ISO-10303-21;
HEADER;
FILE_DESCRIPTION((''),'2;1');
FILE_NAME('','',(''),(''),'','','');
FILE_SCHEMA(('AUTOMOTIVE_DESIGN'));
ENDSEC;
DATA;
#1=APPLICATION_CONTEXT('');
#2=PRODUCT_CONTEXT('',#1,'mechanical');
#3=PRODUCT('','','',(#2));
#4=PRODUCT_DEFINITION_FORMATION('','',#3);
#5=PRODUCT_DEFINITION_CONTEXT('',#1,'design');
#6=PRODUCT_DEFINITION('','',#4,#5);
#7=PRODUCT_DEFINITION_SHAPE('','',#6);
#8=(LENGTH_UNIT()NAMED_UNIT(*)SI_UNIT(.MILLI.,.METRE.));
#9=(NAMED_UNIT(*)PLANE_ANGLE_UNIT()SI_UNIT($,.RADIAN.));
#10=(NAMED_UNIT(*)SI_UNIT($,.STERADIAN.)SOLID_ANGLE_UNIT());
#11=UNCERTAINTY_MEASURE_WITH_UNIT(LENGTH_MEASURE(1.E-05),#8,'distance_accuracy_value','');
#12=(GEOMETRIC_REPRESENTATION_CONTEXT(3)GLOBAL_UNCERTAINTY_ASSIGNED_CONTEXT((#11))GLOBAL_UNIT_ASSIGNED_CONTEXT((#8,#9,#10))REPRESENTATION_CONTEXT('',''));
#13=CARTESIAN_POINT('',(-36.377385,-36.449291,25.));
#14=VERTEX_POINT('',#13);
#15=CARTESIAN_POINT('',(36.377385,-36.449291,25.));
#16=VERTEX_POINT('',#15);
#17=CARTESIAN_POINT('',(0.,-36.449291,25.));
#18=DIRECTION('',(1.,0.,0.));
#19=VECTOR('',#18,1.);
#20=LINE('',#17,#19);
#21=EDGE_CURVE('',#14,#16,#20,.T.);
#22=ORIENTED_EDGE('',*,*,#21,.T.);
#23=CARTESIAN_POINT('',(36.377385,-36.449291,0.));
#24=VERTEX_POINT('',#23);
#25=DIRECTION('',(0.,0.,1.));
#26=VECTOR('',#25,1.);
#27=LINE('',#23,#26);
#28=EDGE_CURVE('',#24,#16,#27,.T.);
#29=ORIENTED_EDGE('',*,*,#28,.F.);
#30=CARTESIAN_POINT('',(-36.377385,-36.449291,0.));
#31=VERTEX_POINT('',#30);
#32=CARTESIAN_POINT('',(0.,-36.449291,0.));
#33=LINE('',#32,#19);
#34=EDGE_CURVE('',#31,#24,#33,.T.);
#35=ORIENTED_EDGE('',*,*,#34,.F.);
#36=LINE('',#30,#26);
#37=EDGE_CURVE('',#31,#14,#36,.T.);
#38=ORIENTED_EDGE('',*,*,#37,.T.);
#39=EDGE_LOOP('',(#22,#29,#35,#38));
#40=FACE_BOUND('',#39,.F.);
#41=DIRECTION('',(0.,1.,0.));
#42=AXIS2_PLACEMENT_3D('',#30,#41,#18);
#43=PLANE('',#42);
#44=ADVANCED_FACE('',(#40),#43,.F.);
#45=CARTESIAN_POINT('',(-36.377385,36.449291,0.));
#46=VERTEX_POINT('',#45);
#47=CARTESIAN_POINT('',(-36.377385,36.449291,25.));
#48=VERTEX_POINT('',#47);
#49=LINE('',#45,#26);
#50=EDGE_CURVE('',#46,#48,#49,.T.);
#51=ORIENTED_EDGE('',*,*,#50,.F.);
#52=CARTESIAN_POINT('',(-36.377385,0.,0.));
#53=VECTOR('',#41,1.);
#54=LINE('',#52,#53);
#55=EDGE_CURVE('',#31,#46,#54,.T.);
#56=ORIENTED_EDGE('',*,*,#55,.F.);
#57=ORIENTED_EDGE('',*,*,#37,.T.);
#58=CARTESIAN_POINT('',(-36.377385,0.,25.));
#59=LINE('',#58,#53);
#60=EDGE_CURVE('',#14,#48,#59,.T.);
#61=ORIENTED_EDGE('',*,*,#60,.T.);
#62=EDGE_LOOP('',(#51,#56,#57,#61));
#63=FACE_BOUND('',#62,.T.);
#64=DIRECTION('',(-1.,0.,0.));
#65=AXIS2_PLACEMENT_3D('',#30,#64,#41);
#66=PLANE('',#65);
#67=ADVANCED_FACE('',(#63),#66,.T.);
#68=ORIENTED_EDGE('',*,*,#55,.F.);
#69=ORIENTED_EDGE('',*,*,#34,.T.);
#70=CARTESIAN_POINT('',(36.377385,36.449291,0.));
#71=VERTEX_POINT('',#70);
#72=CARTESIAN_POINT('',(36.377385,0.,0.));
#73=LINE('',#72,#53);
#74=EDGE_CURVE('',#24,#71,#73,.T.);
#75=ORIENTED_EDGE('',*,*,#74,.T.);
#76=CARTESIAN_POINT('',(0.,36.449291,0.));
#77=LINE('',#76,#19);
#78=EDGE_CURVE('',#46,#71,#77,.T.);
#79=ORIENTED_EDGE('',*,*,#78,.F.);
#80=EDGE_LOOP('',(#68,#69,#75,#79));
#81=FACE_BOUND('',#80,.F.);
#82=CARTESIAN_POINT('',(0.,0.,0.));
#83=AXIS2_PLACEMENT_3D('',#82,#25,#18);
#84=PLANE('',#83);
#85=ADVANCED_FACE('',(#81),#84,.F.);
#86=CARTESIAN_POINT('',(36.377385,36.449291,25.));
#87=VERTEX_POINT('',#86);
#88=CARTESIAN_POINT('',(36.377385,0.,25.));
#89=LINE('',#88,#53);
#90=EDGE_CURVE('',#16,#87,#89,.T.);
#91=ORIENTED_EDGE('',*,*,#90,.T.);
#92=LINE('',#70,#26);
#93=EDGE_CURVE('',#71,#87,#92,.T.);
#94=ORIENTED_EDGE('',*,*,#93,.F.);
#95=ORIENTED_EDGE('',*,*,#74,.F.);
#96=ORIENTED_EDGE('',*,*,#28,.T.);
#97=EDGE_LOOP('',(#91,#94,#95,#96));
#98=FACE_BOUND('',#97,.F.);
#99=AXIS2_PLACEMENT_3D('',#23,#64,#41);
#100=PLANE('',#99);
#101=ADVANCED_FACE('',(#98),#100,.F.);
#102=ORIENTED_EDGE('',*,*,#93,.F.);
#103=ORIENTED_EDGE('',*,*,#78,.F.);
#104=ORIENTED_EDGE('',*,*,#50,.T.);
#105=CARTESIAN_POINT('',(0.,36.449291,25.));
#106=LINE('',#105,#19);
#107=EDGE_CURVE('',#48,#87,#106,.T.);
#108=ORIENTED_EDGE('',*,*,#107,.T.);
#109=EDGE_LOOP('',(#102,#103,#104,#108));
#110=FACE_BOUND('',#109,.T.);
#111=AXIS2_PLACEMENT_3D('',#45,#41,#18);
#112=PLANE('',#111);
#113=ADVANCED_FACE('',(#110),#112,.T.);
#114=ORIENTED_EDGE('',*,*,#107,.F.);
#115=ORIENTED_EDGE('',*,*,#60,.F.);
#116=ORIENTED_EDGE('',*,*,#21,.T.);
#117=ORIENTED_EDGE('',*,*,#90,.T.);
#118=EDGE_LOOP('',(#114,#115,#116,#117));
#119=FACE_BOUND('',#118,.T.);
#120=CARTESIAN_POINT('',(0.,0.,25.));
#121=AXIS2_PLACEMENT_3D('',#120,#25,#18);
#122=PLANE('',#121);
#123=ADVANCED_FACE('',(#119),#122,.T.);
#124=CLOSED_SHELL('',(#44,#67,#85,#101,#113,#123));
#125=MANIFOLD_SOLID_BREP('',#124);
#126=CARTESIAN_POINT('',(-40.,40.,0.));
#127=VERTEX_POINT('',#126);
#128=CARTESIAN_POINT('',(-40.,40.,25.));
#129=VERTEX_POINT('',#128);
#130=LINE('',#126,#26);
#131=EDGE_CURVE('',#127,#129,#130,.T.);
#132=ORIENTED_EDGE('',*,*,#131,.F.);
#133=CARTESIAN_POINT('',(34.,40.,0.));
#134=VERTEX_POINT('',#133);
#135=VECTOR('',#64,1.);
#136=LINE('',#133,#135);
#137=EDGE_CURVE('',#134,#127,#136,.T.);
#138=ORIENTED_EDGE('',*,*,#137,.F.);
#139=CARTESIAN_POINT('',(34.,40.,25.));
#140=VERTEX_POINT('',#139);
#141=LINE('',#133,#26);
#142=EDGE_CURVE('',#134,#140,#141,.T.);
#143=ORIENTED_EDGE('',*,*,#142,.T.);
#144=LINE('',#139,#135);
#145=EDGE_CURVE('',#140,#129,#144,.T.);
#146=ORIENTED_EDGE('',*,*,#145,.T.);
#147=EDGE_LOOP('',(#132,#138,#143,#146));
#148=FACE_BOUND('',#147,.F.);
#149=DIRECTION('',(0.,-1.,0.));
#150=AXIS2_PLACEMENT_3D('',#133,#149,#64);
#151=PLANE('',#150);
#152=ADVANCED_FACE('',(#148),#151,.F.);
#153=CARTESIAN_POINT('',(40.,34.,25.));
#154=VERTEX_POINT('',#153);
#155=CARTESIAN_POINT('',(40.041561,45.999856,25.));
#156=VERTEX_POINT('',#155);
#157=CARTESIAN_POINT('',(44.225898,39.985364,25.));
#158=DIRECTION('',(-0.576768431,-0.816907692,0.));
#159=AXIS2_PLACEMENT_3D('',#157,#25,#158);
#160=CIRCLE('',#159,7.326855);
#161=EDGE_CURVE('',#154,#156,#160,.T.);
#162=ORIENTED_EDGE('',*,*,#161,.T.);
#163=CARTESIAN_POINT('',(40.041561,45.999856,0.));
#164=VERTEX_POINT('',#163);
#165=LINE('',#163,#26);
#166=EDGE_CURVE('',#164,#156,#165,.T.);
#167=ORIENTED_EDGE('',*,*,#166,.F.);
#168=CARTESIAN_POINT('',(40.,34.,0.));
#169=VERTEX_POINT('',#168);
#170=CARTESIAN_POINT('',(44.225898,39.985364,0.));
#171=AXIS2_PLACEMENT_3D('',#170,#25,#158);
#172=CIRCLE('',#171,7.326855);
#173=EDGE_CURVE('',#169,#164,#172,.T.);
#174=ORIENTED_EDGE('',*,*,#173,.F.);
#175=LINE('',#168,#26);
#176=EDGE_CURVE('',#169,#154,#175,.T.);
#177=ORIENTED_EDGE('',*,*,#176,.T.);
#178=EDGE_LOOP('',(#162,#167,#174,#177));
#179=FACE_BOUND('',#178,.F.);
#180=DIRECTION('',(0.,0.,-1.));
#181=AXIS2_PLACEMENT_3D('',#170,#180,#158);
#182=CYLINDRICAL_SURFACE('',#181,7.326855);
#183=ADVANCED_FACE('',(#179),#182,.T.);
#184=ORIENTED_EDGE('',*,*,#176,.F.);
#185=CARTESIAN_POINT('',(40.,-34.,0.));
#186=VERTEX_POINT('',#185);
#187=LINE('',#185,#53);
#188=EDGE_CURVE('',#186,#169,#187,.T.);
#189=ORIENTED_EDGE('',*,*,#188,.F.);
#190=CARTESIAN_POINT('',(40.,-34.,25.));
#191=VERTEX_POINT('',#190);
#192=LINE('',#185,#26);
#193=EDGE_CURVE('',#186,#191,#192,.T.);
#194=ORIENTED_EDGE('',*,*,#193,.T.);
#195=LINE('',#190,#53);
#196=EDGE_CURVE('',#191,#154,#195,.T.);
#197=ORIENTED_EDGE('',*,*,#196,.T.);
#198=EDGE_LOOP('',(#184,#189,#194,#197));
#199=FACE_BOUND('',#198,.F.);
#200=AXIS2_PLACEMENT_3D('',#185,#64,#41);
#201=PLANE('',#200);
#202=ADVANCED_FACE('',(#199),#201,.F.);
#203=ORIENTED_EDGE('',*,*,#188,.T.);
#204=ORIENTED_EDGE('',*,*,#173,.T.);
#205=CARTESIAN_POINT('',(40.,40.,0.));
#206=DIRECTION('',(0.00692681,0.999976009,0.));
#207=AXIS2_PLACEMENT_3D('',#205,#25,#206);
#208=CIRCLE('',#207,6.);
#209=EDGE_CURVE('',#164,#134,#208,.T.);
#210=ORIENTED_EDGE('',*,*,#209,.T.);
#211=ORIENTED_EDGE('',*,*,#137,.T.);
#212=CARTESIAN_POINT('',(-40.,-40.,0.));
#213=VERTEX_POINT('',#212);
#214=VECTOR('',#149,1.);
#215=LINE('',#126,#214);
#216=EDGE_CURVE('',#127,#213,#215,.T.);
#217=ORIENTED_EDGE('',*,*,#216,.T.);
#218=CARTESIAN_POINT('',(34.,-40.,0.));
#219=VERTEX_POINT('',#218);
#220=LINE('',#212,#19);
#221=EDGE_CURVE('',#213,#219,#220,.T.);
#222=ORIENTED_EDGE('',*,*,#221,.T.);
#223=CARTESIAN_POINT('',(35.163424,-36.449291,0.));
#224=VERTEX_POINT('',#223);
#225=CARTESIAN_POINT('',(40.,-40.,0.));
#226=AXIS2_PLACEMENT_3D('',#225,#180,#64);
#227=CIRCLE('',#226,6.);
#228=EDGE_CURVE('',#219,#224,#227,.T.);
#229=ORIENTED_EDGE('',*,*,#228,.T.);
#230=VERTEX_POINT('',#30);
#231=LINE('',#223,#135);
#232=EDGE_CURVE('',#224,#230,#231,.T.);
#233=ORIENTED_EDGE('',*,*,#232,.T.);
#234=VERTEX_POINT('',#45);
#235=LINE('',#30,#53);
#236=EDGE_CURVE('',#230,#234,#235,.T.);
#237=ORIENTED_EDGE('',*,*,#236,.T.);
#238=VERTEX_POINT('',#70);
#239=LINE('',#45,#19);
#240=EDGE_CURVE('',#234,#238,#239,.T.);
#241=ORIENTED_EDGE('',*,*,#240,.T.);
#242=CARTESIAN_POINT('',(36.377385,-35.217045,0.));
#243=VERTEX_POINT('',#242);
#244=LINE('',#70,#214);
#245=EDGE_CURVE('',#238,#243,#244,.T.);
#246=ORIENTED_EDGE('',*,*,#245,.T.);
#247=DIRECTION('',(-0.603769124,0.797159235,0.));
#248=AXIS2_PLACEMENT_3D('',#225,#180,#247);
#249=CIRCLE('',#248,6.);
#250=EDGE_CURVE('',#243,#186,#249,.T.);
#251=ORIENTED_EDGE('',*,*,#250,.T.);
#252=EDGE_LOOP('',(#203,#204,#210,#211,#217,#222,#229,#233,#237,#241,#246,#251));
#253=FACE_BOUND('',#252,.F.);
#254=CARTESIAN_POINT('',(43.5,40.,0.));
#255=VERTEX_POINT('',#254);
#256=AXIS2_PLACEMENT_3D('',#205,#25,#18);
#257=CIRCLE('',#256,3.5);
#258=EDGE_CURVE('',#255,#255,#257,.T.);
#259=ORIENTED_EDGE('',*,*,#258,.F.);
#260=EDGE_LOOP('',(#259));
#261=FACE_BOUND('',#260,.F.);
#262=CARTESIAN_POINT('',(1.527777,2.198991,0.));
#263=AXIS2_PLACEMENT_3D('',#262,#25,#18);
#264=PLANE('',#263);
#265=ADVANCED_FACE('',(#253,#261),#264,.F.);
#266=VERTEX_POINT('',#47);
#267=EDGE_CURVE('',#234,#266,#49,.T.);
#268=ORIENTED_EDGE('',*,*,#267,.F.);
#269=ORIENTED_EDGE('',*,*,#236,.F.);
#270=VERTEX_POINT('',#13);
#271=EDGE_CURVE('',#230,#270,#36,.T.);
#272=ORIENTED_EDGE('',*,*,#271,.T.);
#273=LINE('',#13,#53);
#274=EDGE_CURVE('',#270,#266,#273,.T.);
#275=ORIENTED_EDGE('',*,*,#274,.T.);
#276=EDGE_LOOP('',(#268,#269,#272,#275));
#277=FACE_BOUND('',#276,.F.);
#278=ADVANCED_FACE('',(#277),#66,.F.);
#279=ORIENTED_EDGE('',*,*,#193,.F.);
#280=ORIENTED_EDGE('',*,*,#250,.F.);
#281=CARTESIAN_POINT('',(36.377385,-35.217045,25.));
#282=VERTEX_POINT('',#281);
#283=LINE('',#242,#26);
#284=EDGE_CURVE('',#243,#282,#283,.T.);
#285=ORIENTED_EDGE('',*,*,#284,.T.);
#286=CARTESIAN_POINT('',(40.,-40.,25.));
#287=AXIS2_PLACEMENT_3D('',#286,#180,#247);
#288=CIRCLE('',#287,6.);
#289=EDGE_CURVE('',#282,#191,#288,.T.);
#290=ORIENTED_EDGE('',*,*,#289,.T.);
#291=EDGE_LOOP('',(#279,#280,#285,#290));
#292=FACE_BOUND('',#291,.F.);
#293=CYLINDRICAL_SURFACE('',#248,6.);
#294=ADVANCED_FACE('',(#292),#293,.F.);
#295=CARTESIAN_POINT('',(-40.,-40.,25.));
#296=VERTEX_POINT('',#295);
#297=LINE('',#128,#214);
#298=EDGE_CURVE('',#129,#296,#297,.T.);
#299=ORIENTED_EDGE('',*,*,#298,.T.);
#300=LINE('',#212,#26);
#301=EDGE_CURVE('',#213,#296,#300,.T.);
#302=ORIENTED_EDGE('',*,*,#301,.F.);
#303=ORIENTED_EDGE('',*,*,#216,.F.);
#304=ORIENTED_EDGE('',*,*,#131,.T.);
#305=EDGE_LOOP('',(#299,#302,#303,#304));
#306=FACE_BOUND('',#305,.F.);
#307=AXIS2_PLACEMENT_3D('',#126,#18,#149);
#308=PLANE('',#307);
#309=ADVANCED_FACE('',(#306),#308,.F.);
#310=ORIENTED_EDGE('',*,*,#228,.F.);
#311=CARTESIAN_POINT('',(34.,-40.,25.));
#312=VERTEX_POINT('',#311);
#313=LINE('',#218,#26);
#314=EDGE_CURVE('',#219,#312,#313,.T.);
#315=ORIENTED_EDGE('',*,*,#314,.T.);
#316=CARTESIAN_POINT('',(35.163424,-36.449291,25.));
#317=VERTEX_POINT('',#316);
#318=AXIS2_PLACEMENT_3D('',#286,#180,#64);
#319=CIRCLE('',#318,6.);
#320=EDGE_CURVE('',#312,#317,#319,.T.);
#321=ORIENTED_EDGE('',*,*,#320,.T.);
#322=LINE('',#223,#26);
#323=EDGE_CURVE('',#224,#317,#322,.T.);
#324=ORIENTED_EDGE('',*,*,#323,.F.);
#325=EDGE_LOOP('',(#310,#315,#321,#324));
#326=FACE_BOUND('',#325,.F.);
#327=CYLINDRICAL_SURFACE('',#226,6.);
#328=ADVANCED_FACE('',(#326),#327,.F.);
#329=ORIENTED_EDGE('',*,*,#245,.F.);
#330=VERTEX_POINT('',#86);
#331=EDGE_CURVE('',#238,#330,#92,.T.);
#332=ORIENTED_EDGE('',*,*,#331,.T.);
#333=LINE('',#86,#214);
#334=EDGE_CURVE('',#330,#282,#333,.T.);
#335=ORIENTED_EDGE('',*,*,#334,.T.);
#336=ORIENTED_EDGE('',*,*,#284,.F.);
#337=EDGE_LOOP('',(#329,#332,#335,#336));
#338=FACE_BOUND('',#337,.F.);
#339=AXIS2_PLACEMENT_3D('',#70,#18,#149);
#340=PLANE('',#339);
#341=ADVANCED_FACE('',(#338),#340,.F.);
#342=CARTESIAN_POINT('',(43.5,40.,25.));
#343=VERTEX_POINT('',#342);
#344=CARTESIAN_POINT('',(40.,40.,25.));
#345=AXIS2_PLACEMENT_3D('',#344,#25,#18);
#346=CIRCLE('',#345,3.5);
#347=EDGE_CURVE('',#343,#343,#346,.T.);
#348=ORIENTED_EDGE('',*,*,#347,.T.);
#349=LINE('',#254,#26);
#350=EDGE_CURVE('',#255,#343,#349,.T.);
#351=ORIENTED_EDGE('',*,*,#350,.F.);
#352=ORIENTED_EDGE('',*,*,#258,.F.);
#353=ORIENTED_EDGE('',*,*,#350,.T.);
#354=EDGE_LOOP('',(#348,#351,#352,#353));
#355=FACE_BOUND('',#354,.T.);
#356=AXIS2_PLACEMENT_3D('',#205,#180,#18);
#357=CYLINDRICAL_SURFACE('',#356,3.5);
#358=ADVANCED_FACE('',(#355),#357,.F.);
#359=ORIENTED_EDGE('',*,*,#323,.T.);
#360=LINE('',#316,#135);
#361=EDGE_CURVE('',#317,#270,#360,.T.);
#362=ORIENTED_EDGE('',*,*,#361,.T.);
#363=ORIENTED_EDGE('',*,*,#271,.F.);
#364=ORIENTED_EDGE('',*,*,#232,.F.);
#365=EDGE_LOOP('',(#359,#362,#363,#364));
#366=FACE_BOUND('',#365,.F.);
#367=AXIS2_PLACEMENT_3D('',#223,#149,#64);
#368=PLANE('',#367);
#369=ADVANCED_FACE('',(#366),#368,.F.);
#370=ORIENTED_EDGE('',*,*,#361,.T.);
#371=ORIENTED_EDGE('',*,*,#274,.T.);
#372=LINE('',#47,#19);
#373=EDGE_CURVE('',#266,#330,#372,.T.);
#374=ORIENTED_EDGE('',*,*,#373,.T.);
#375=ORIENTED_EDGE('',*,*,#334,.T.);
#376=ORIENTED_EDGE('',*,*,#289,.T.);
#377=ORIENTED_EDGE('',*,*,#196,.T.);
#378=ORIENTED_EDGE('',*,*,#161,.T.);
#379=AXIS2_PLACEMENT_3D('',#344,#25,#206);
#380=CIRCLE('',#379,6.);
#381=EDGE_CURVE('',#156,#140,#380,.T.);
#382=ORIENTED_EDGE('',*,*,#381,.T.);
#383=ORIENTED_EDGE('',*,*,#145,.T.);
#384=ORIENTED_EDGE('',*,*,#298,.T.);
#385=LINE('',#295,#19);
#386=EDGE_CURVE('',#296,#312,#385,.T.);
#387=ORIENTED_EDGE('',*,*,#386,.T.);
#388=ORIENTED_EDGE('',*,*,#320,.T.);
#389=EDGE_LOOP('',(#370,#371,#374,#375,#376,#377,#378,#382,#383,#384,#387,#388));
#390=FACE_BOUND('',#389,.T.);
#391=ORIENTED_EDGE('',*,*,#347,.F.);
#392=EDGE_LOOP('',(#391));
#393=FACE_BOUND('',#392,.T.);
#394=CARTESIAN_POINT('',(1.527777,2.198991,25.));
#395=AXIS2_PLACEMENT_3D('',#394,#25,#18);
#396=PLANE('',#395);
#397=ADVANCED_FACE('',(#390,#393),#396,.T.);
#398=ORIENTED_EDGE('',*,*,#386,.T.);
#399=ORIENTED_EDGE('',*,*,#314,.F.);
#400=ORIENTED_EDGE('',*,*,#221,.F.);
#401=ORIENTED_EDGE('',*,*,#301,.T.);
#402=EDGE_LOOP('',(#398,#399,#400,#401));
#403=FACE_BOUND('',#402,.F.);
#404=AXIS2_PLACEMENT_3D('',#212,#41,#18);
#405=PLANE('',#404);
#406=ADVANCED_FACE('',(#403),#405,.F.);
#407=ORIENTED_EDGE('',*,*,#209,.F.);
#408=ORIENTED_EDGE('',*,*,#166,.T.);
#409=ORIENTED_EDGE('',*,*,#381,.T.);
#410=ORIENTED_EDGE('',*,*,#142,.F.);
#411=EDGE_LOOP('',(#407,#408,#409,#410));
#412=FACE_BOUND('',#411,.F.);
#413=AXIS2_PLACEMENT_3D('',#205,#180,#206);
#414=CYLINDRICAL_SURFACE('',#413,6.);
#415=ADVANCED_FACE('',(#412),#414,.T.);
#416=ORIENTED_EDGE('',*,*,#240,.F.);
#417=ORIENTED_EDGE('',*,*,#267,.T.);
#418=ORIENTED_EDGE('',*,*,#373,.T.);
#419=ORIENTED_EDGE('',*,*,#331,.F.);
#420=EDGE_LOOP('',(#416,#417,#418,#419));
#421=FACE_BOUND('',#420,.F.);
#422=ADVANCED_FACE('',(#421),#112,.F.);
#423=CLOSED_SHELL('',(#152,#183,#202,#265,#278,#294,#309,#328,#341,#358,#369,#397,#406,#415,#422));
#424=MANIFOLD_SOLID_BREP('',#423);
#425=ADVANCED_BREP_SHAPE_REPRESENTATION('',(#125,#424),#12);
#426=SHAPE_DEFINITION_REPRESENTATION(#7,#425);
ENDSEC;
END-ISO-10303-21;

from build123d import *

# Parameters (mm, degrees)
F0_W     = 72.7547705173
F0_H     = 72.898581624
F2_DEPTH = 25
F1_R     = 3.5


with BuildPart() as f2:
    # F0 (on Top) → F2 (new body)
    with BuildSketch(Plane.XY):
        Rectangle(F0_W, F0_H)
    extrude(amount=F2_DEPTH)


with BuildPart() as f2b:
    # F1 (on face) → F2, piece 2 (new body)
    with BuildSketch(Plane.XY):
        with BuildLine():
            Line((-40, -40), (34, -40))
            ThreePointArc((34, -40), (34.2982698217, -38.1317727723), (35.1634243248, -36.449290812))
            Line((35.1634243248, -36.449290812), (-36.3773852587, -36.449290812))
            Line((-36.3773852587, -36.449290812), (-36.3773852587, 36.449290812))
            Line((-36.3773852587, 36.449290812), (36.3773852587, 36.449290812))
            Line((36.3773852587, 36.449290812), (36.3773852587, -35.2170445919))
            ThreePointArc((36.3773852587, -35.2170445919), (38.0892059829, -34.3123936296), (40, -34))
            Line((40, -34), (40, 34))
            ThreePointArc((40, 34), (51.5527089924, 39.959987811), (40.0415608589, 45.9998560562))
            ThreePointArc((40.0415608589, 45.9998560562), (35.7720788296, 44.2573093119), (34, 40))
            Line((34, 40), (-40, 40))
            Line((-40, 40), (-40, -40))
        make_face()
        with Locations((40, 40)):
            Circle(F1_R, mode=Mode.SUBTRACT)
    extrude(amount=F2_DEPTH)


solid = Compound([f2.part, f2b.part])
